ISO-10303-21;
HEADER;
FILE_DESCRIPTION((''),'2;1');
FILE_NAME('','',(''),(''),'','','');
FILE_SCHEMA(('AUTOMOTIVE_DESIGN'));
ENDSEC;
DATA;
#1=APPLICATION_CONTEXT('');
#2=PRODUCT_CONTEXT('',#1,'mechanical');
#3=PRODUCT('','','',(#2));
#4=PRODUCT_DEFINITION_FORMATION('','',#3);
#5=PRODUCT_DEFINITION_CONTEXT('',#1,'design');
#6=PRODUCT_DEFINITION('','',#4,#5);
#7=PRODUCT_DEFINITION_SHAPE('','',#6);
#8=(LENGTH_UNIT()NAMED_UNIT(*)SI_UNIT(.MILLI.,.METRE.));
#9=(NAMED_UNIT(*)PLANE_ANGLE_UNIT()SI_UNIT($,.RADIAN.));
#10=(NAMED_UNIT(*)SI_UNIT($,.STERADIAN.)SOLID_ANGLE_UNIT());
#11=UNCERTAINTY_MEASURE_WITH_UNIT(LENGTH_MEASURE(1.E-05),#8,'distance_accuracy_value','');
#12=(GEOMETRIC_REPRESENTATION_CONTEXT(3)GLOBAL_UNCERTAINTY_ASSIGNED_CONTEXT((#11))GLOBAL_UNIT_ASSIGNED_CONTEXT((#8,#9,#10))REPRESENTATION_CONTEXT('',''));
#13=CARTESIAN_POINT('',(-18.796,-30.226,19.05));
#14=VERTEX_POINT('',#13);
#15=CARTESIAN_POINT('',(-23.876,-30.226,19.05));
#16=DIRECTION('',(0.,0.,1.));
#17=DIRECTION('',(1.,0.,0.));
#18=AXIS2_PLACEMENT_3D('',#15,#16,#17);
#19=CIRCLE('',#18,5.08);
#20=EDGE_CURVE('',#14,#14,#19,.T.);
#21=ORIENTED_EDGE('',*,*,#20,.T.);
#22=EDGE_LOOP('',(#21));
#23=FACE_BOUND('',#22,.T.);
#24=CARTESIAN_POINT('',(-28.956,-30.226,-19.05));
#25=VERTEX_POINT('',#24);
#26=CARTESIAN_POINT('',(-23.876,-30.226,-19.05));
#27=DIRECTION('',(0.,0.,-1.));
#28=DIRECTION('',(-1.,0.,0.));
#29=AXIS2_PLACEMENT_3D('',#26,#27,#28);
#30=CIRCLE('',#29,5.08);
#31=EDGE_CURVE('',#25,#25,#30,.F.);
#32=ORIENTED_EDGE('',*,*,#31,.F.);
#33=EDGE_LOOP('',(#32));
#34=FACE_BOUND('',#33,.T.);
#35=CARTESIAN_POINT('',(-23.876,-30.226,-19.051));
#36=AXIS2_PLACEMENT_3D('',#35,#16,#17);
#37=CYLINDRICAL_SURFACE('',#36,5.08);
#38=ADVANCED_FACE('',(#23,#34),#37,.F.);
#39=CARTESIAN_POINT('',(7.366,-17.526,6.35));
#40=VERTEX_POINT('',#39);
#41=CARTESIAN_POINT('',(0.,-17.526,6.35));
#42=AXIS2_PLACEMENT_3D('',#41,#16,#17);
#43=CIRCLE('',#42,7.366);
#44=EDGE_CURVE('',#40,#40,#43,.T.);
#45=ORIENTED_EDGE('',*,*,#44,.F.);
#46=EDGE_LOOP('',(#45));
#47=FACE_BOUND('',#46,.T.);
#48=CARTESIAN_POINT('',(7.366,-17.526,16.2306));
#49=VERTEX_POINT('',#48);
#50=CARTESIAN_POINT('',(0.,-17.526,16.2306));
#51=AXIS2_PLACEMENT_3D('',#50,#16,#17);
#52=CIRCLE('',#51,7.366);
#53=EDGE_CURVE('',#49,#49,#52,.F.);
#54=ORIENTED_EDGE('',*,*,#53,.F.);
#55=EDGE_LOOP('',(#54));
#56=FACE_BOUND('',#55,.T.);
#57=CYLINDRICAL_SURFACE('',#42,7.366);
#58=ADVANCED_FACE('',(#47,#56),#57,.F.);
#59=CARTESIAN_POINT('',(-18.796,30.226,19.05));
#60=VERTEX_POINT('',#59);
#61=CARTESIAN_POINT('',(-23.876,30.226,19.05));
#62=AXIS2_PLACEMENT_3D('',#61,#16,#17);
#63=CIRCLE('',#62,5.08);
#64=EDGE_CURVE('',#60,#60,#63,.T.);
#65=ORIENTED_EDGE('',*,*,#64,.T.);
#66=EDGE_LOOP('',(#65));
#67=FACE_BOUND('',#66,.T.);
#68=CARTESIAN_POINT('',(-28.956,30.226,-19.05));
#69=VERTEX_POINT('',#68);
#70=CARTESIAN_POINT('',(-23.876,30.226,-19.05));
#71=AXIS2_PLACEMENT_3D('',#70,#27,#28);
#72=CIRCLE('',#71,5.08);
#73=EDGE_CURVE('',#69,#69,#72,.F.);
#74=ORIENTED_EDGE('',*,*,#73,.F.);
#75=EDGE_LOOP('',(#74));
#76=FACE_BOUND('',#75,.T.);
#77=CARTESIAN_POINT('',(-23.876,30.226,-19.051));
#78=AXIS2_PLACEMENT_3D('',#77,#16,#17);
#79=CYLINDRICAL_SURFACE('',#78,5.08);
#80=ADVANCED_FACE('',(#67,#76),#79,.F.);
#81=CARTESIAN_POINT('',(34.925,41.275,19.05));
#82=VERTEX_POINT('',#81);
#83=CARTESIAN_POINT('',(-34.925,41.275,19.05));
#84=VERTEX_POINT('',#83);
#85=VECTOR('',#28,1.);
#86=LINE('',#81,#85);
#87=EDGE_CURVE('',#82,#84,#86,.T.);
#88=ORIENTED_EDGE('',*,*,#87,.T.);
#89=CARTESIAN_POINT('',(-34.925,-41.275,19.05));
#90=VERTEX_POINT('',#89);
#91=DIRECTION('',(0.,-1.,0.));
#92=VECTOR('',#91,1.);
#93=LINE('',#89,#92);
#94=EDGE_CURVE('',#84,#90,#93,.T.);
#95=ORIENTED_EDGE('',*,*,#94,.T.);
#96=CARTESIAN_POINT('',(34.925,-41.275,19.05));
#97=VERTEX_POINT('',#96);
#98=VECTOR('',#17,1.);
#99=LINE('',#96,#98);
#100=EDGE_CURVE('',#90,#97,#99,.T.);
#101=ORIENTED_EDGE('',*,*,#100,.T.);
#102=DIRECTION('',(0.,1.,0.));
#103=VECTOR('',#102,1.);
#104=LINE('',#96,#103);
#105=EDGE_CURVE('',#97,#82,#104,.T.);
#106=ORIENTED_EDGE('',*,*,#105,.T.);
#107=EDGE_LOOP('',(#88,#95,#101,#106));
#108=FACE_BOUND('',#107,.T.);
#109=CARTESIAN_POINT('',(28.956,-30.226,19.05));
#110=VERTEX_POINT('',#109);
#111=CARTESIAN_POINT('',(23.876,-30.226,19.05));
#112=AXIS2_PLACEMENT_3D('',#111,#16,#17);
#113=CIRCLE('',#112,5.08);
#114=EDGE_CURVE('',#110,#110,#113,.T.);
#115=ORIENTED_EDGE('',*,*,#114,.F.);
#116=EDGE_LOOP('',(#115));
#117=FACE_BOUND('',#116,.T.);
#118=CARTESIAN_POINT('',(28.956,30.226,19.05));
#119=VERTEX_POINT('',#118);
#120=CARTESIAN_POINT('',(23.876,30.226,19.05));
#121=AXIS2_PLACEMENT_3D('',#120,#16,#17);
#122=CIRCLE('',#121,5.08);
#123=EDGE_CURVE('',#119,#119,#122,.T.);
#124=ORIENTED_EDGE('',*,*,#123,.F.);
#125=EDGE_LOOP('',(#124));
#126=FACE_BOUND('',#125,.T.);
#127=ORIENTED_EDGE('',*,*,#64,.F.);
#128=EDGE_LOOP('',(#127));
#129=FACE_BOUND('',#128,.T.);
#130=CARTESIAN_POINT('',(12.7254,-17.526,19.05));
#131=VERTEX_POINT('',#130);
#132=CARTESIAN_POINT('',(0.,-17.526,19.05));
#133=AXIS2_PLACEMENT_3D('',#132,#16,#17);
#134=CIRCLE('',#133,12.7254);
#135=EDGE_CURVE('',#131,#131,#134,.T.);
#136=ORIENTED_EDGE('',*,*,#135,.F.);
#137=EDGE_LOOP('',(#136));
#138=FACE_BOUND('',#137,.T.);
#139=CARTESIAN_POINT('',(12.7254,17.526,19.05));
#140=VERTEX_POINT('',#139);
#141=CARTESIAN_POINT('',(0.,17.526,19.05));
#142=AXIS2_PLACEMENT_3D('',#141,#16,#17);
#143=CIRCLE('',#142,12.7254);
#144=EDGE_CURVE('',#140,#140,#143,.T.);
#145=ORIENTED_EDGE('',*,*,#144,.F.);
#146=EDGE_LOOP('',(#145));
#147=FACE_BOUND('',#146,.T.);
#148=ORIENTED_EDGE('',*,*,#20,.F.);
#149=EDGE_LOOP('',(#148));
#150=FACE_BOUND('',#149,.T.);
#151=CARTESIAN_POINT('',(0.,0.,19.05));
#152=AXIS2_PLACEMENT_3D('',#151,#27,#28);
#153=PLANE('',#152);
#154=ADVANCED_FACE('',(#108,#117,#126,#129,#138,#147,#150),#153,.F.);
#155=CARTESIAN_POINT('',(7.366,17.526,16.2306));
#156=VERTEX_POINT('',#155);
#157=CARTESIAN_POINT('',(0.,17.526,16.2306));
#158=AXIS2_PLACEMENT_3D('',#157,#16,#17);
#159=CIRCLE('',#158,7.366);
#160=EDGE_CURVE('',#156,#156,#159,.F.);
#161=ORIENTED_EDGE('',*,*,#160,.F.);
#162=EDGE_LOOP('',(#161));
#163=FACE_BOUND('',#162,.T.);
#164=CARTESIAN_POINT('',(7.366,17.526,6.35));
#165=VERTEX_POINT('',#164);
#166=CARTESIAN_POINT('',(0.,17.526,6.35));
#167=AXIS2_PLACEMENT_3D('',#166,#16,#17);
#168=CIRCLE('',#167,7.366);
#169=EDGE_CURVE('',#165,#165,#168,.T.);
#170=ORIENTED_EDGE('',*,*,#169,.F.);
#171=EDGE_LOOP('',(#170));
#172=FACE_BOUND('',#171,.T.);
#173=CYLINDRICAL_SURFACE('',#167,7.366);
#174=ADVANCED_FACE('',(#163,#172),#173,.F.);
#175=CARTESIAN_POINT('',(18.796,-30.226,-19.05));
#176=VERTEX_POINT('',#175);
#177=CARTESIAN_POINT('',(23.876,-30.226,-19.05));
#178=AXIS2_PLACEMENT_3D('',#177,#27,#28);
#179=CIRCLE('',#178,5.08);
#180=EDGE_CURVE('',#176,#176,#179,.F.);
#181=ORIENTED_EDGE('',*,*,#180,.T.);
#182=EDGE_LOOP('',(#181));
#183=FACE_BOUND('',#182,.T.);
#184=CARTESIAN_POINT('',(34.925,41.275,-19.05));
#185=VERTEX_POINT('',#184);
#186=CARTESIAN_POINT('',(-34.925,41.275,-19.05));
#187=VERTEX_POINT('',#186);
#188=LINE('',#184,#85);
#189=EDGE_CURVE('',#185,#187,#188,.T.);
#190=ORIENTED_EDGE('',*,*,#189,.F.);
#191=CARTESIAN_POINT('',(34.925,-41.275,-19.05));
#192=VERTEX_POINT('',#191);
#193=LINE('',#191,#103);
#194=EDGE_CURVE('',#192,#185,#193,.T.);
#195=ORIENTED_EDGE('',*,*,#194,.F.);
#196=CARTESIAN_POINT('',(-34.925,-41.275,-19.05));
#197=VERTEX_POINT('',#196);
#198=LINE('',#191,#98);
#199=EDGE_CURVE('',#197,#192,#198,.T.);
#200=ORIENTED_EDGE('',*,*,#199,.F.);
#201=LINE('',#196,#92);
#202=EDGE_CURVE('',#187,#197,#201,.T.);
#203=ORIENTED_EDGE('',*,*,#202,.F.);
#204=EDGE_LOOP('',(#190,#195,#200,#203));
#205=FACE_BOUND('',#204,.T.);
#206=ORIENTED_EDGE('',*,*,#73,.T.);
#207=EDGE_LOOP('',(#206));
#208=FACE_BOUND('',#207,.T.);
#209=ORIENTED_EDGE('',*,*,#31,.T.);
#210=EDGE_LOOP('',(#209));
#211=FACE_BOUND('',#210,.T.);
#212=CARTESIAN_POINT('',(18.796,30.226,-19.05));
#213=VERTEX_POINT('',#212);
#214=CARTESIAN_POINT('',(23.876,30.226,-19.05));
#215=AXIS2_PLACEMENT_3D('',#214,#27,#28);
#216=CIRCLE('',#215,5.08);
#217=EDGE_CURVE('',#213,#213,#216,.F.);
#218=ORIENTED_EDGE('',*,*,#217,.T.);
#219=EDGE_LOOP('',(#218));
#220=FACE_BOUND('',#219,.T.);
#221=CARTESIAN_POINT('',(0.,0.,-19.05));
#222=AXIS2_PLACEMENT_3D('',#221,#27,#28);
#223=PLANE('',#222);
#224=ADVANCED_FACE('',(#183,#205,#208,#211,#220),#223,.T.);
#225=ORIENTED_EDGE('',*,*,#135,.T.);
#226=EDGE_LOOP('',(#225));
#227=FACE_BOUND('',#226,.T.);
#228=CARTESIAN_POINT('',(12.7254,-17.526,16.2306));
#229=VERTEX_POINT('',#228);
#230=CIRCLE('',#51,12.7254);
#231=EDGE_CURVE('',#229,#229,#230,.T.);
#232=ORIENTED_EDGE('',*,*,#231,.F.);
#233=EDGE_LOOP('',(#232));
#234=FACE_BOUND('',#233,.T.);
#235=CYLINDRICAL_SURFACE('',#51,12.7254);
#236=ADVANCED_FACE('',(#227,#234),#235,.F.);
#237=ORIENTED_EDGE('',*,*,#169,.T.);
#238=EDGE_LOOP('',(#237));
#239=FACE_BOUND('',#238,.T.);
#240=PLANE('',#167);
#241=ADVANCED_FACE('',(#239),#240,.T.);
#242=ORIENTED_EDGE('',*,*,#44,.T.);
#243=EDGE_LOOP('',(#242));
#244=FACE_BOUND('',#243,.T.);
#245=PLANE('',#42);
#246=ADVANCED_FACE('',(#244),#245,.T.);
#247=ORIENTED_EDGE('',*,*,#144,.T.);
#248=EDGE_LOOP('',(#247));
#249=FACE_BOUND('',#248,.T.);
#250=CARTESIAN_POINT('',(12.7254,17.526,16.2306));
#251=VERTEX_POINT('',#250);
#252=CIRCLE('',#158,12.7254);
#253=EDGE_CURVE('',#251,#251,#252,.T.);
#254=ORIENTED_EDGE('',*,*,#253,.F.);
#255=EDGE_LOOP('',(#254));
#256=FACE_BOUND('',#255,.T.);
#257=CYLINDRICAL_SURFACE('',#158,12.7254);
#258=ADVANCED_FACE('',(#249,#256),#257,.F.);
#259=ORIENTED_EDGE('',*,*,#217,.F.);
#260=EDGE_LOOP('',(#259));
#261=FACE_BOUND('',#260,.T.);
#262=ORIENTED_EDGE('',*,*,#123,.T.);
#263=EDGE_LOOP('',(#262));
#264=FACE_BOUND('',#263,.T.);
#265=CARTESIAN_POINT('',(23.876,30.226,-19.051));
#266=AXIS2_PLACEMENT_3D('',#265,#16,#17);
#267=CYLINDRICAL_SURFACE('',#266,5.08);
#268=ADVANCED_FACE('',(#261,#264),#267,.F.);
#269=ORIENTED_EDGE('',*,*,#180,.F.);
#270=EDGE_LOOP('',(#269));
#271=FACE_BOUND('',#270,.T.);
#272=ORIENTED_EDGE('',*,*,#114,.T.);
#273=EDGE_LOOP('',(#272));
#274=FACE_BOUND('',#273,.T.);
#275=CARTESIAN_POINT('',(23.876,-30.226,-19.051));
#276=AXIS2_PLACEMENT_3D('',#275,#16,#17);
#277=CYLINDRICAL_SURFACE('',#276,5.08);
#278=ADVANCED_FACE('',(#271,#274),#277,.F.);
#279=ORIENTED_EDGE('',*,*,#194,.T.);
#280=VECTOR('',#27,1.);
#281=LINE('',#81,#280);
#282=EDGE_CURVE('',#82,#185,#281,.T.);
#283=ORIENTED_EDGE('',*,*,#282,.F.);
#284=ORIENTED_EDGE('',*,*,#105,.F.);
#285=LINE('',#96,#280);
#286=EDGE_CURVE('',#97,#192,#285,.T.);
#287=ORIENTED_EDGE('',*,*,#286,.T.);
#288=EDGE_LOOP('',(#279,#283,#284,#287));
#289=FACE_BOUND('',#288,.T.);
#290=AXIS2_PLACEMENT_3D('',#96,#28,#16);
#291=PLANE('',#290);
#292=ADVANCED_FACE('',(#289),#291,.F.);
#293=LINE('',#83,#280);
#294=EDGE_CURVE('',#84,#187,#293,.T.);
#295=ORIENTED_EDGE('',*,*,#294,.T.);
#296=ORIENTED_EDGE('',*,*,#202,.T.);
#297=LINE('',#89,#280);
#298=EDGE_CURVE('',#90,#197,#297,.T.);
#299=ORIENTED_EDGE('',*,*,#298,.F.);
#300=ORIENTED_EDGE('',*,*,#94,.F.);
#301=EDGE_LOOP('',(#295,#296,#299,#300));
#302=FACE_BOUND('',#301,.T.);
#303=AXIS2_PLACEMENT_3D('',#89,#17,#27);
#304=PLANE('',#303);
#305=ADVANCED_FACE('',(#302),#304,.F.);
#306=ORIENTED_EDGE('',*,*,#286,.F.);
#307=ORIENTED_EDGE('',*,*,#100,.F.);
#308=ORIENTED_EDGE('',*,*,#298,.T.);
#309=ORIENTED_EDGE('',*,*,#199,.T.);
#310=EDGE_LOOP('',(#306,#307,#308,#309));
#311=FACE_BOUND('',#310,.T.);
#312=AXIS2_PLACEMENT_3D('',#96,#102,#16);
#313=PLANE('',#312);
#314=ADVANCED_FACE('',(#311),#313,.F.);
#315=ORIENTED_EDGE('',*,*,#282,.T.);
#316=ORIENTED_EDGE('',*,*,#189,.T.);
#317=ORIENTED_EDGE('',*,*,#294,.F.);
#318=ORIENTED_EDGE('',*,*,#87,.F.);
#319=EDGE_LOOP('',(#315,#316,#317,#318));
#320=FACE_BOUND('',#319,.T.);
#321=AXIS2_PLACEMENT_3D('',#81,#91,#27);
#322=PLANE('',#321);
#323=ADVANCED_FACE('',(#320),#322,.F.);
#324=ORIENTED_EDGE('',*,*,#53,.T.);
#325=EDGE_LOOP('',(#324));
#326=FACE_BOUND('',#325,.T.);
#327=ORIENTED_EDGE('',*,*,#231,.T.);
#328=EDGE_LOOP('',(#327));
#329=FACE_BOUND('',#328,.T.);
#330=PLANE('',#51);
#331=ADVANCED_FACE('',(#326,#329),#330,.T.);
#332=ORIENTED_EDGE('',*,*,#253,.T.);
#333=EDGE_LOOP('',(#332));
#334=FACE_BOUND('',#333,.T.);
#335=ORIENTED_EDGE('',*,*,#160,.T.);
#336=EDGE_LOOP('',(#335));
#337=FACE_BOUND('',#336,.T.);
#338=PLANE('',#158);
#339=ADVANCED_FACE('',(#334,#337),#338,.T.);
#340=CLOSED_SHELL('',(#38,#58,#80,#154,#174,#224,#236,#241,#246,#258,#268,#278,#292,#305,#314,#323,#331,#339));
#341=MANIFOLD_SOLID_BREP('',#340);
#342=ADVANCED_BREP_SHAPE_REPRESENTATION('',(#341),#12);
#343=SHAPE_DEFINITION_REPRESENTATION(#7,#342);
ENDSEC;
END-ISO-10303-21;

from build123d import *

# Parameters (mm, degrees)
SKETCH1_W           = 82.55
SKETCH1_H           = 69.85
BOSS_EXTRUDE1_DEPTH = 19.05
CUT_EXTRUDE2_START  = -19.05
SKETCH2_R           = 5.08
CUT_EXTRUDE2_DEPTH  = 38.1
CUT_EXTRUDE4_START  = -19.05
SKETCH3_R           = 5.08
CUT_EXTRUDE4_DEPTH  = 38.1
CUT_EXTRUDE6_START  = 19.05
SKETCH4_R           = 7.366
CUT_EXTRUDE6_DEPTH  = 12.7
CUT_EXTRUDE8_START  = 19.05
SKETCH5_R           = 12.7254
CUT_EXTRUDE8_DEPTH  = 2.8194
CUT_EXTRUDE10_START = 19.05
SKETCH6_R           = 7.366
CUT_EXTRUDE10_DEPTH = 12.7
CUT_EXTRUDE12_START = 19.05
SKETCH7_R           = 12.7254
CUT_EXTRUDE12_DEPTH = 2.8194


with BuildPart() as part:
    # Sketch1 → Boss-Extrude1 (new, symmetric)
    with BuildSketch(Plane(origin=(0, 0, 0), x_dir=(0, 1, 0), z_dir=(0, 0, 1))):
        Rectangle(SKETCH1_W, SKETCH1_H)
    extrude(amount=BOSS_EXTRUDE1_DEPTH, both=True)

    # Sketch2 → Cut-Extrude2 (cut)
    with BuildSketch(Plane(origin=(0, 0, 0), x_dir=(0, 1, 0), z_dir=(0, 0, 1)).offset(CUT_EXTRUDE2_START)):
        with Locations(Location((-30.226, -23.876, 0), (0, 0, 270))):
            Circle(SKETCH2_R)
    extrude(amount=CUT_EXTRUDE2_DEPTH, mode=Mode.SUBTRACT)

    # Sketch3 → Cut-Extrude4 (cut)
    with BuildSketch(Plane(origin=(0, 0, 0), x_dir=(0, 1, 0), z_dir=(0, 0, 1)).offset(CUT_EXTRUDE4_START)):
        with Locations(Location((30.226, -23.876, 0), (0, 0, 270))):
            Circle(SKETCH3_R)
        with Locations(Location((-30.226, 23.876, 0), (0, 0, 270))):
            Circle(SKETCH3_R)
        with Locations(Location((30.226, 23.876, 0), (0, 0, 270))):
            Circle(SKETCH3_R)
    extrude(amount=CUT_EXTRUDE4_DEPTH, mode=Mode.SUBTRACT)

    # Sketch4 → Cut-Extrude6 (cut)
    with BuildSketch(Plane(origin=(0, 0, 0), x_dir=(0, 1, 0), z_dir=(0, 0, 1)).offset(CUT_EXTRUDE6_START)):
        with Locations(Location((-17.526, 0, 0), (0, 0, 270))):
            Circle(SKETCH4_R)
    extrude(amount=-CUT_EXTRUDE6_DEPTH, mode=Mode.SUBTRACT)

    # Sketch5 → Cut-Extrude8 (cut)
    with BuildSketch(Plane(origin=(0, 0, 0), x_dir=(0, 1, 0), z_dir=(0, 0, 1)).offset(CUT_EXTRUDE8_START)):
        with Locations(Location((-17.526, 0, 0), (0, 0, 270))):
            Circle(SKETCH5_R)
    extrude(amount=-CUT_EXTRUDE8_DEPTH, mode=Mode.SUBTRACT)

    # Sketch6 → Cut-Extrude10 (cut)
    with BuildSketch(Plane(origin=(0, 0, 0), x_dir=(0, 1, 0), z_dir=(0, 0, 1)).offset(CUT_EXTRUDE10_START)):
        with Locations(Location((17.526, 0, 0), (0, 0, 270))):
            Circle(SKETCH6_R)
    extrude(amount=-CUT_EXTRUDE10_DEPTH, mode=Mode.SUBTRACT)

    # Sketch7 → Cut-Extrude12 (cut)
    with BuildSketch(Plane(origin=(0, 0, 0), x_dir=(0, 1, 0), z_dir=(0, 0, 1)).offset(CUT_EXTRUDE12_START)):
        with Locations(Location((17.526, 0, 0), (0, 0, 270))):
            Circle(SKETCH7_R)
    extrude(amount=-CUT_EXTRUDE12_DEPTH, mode=Mode.SUBTRACT)


solid = part.part
